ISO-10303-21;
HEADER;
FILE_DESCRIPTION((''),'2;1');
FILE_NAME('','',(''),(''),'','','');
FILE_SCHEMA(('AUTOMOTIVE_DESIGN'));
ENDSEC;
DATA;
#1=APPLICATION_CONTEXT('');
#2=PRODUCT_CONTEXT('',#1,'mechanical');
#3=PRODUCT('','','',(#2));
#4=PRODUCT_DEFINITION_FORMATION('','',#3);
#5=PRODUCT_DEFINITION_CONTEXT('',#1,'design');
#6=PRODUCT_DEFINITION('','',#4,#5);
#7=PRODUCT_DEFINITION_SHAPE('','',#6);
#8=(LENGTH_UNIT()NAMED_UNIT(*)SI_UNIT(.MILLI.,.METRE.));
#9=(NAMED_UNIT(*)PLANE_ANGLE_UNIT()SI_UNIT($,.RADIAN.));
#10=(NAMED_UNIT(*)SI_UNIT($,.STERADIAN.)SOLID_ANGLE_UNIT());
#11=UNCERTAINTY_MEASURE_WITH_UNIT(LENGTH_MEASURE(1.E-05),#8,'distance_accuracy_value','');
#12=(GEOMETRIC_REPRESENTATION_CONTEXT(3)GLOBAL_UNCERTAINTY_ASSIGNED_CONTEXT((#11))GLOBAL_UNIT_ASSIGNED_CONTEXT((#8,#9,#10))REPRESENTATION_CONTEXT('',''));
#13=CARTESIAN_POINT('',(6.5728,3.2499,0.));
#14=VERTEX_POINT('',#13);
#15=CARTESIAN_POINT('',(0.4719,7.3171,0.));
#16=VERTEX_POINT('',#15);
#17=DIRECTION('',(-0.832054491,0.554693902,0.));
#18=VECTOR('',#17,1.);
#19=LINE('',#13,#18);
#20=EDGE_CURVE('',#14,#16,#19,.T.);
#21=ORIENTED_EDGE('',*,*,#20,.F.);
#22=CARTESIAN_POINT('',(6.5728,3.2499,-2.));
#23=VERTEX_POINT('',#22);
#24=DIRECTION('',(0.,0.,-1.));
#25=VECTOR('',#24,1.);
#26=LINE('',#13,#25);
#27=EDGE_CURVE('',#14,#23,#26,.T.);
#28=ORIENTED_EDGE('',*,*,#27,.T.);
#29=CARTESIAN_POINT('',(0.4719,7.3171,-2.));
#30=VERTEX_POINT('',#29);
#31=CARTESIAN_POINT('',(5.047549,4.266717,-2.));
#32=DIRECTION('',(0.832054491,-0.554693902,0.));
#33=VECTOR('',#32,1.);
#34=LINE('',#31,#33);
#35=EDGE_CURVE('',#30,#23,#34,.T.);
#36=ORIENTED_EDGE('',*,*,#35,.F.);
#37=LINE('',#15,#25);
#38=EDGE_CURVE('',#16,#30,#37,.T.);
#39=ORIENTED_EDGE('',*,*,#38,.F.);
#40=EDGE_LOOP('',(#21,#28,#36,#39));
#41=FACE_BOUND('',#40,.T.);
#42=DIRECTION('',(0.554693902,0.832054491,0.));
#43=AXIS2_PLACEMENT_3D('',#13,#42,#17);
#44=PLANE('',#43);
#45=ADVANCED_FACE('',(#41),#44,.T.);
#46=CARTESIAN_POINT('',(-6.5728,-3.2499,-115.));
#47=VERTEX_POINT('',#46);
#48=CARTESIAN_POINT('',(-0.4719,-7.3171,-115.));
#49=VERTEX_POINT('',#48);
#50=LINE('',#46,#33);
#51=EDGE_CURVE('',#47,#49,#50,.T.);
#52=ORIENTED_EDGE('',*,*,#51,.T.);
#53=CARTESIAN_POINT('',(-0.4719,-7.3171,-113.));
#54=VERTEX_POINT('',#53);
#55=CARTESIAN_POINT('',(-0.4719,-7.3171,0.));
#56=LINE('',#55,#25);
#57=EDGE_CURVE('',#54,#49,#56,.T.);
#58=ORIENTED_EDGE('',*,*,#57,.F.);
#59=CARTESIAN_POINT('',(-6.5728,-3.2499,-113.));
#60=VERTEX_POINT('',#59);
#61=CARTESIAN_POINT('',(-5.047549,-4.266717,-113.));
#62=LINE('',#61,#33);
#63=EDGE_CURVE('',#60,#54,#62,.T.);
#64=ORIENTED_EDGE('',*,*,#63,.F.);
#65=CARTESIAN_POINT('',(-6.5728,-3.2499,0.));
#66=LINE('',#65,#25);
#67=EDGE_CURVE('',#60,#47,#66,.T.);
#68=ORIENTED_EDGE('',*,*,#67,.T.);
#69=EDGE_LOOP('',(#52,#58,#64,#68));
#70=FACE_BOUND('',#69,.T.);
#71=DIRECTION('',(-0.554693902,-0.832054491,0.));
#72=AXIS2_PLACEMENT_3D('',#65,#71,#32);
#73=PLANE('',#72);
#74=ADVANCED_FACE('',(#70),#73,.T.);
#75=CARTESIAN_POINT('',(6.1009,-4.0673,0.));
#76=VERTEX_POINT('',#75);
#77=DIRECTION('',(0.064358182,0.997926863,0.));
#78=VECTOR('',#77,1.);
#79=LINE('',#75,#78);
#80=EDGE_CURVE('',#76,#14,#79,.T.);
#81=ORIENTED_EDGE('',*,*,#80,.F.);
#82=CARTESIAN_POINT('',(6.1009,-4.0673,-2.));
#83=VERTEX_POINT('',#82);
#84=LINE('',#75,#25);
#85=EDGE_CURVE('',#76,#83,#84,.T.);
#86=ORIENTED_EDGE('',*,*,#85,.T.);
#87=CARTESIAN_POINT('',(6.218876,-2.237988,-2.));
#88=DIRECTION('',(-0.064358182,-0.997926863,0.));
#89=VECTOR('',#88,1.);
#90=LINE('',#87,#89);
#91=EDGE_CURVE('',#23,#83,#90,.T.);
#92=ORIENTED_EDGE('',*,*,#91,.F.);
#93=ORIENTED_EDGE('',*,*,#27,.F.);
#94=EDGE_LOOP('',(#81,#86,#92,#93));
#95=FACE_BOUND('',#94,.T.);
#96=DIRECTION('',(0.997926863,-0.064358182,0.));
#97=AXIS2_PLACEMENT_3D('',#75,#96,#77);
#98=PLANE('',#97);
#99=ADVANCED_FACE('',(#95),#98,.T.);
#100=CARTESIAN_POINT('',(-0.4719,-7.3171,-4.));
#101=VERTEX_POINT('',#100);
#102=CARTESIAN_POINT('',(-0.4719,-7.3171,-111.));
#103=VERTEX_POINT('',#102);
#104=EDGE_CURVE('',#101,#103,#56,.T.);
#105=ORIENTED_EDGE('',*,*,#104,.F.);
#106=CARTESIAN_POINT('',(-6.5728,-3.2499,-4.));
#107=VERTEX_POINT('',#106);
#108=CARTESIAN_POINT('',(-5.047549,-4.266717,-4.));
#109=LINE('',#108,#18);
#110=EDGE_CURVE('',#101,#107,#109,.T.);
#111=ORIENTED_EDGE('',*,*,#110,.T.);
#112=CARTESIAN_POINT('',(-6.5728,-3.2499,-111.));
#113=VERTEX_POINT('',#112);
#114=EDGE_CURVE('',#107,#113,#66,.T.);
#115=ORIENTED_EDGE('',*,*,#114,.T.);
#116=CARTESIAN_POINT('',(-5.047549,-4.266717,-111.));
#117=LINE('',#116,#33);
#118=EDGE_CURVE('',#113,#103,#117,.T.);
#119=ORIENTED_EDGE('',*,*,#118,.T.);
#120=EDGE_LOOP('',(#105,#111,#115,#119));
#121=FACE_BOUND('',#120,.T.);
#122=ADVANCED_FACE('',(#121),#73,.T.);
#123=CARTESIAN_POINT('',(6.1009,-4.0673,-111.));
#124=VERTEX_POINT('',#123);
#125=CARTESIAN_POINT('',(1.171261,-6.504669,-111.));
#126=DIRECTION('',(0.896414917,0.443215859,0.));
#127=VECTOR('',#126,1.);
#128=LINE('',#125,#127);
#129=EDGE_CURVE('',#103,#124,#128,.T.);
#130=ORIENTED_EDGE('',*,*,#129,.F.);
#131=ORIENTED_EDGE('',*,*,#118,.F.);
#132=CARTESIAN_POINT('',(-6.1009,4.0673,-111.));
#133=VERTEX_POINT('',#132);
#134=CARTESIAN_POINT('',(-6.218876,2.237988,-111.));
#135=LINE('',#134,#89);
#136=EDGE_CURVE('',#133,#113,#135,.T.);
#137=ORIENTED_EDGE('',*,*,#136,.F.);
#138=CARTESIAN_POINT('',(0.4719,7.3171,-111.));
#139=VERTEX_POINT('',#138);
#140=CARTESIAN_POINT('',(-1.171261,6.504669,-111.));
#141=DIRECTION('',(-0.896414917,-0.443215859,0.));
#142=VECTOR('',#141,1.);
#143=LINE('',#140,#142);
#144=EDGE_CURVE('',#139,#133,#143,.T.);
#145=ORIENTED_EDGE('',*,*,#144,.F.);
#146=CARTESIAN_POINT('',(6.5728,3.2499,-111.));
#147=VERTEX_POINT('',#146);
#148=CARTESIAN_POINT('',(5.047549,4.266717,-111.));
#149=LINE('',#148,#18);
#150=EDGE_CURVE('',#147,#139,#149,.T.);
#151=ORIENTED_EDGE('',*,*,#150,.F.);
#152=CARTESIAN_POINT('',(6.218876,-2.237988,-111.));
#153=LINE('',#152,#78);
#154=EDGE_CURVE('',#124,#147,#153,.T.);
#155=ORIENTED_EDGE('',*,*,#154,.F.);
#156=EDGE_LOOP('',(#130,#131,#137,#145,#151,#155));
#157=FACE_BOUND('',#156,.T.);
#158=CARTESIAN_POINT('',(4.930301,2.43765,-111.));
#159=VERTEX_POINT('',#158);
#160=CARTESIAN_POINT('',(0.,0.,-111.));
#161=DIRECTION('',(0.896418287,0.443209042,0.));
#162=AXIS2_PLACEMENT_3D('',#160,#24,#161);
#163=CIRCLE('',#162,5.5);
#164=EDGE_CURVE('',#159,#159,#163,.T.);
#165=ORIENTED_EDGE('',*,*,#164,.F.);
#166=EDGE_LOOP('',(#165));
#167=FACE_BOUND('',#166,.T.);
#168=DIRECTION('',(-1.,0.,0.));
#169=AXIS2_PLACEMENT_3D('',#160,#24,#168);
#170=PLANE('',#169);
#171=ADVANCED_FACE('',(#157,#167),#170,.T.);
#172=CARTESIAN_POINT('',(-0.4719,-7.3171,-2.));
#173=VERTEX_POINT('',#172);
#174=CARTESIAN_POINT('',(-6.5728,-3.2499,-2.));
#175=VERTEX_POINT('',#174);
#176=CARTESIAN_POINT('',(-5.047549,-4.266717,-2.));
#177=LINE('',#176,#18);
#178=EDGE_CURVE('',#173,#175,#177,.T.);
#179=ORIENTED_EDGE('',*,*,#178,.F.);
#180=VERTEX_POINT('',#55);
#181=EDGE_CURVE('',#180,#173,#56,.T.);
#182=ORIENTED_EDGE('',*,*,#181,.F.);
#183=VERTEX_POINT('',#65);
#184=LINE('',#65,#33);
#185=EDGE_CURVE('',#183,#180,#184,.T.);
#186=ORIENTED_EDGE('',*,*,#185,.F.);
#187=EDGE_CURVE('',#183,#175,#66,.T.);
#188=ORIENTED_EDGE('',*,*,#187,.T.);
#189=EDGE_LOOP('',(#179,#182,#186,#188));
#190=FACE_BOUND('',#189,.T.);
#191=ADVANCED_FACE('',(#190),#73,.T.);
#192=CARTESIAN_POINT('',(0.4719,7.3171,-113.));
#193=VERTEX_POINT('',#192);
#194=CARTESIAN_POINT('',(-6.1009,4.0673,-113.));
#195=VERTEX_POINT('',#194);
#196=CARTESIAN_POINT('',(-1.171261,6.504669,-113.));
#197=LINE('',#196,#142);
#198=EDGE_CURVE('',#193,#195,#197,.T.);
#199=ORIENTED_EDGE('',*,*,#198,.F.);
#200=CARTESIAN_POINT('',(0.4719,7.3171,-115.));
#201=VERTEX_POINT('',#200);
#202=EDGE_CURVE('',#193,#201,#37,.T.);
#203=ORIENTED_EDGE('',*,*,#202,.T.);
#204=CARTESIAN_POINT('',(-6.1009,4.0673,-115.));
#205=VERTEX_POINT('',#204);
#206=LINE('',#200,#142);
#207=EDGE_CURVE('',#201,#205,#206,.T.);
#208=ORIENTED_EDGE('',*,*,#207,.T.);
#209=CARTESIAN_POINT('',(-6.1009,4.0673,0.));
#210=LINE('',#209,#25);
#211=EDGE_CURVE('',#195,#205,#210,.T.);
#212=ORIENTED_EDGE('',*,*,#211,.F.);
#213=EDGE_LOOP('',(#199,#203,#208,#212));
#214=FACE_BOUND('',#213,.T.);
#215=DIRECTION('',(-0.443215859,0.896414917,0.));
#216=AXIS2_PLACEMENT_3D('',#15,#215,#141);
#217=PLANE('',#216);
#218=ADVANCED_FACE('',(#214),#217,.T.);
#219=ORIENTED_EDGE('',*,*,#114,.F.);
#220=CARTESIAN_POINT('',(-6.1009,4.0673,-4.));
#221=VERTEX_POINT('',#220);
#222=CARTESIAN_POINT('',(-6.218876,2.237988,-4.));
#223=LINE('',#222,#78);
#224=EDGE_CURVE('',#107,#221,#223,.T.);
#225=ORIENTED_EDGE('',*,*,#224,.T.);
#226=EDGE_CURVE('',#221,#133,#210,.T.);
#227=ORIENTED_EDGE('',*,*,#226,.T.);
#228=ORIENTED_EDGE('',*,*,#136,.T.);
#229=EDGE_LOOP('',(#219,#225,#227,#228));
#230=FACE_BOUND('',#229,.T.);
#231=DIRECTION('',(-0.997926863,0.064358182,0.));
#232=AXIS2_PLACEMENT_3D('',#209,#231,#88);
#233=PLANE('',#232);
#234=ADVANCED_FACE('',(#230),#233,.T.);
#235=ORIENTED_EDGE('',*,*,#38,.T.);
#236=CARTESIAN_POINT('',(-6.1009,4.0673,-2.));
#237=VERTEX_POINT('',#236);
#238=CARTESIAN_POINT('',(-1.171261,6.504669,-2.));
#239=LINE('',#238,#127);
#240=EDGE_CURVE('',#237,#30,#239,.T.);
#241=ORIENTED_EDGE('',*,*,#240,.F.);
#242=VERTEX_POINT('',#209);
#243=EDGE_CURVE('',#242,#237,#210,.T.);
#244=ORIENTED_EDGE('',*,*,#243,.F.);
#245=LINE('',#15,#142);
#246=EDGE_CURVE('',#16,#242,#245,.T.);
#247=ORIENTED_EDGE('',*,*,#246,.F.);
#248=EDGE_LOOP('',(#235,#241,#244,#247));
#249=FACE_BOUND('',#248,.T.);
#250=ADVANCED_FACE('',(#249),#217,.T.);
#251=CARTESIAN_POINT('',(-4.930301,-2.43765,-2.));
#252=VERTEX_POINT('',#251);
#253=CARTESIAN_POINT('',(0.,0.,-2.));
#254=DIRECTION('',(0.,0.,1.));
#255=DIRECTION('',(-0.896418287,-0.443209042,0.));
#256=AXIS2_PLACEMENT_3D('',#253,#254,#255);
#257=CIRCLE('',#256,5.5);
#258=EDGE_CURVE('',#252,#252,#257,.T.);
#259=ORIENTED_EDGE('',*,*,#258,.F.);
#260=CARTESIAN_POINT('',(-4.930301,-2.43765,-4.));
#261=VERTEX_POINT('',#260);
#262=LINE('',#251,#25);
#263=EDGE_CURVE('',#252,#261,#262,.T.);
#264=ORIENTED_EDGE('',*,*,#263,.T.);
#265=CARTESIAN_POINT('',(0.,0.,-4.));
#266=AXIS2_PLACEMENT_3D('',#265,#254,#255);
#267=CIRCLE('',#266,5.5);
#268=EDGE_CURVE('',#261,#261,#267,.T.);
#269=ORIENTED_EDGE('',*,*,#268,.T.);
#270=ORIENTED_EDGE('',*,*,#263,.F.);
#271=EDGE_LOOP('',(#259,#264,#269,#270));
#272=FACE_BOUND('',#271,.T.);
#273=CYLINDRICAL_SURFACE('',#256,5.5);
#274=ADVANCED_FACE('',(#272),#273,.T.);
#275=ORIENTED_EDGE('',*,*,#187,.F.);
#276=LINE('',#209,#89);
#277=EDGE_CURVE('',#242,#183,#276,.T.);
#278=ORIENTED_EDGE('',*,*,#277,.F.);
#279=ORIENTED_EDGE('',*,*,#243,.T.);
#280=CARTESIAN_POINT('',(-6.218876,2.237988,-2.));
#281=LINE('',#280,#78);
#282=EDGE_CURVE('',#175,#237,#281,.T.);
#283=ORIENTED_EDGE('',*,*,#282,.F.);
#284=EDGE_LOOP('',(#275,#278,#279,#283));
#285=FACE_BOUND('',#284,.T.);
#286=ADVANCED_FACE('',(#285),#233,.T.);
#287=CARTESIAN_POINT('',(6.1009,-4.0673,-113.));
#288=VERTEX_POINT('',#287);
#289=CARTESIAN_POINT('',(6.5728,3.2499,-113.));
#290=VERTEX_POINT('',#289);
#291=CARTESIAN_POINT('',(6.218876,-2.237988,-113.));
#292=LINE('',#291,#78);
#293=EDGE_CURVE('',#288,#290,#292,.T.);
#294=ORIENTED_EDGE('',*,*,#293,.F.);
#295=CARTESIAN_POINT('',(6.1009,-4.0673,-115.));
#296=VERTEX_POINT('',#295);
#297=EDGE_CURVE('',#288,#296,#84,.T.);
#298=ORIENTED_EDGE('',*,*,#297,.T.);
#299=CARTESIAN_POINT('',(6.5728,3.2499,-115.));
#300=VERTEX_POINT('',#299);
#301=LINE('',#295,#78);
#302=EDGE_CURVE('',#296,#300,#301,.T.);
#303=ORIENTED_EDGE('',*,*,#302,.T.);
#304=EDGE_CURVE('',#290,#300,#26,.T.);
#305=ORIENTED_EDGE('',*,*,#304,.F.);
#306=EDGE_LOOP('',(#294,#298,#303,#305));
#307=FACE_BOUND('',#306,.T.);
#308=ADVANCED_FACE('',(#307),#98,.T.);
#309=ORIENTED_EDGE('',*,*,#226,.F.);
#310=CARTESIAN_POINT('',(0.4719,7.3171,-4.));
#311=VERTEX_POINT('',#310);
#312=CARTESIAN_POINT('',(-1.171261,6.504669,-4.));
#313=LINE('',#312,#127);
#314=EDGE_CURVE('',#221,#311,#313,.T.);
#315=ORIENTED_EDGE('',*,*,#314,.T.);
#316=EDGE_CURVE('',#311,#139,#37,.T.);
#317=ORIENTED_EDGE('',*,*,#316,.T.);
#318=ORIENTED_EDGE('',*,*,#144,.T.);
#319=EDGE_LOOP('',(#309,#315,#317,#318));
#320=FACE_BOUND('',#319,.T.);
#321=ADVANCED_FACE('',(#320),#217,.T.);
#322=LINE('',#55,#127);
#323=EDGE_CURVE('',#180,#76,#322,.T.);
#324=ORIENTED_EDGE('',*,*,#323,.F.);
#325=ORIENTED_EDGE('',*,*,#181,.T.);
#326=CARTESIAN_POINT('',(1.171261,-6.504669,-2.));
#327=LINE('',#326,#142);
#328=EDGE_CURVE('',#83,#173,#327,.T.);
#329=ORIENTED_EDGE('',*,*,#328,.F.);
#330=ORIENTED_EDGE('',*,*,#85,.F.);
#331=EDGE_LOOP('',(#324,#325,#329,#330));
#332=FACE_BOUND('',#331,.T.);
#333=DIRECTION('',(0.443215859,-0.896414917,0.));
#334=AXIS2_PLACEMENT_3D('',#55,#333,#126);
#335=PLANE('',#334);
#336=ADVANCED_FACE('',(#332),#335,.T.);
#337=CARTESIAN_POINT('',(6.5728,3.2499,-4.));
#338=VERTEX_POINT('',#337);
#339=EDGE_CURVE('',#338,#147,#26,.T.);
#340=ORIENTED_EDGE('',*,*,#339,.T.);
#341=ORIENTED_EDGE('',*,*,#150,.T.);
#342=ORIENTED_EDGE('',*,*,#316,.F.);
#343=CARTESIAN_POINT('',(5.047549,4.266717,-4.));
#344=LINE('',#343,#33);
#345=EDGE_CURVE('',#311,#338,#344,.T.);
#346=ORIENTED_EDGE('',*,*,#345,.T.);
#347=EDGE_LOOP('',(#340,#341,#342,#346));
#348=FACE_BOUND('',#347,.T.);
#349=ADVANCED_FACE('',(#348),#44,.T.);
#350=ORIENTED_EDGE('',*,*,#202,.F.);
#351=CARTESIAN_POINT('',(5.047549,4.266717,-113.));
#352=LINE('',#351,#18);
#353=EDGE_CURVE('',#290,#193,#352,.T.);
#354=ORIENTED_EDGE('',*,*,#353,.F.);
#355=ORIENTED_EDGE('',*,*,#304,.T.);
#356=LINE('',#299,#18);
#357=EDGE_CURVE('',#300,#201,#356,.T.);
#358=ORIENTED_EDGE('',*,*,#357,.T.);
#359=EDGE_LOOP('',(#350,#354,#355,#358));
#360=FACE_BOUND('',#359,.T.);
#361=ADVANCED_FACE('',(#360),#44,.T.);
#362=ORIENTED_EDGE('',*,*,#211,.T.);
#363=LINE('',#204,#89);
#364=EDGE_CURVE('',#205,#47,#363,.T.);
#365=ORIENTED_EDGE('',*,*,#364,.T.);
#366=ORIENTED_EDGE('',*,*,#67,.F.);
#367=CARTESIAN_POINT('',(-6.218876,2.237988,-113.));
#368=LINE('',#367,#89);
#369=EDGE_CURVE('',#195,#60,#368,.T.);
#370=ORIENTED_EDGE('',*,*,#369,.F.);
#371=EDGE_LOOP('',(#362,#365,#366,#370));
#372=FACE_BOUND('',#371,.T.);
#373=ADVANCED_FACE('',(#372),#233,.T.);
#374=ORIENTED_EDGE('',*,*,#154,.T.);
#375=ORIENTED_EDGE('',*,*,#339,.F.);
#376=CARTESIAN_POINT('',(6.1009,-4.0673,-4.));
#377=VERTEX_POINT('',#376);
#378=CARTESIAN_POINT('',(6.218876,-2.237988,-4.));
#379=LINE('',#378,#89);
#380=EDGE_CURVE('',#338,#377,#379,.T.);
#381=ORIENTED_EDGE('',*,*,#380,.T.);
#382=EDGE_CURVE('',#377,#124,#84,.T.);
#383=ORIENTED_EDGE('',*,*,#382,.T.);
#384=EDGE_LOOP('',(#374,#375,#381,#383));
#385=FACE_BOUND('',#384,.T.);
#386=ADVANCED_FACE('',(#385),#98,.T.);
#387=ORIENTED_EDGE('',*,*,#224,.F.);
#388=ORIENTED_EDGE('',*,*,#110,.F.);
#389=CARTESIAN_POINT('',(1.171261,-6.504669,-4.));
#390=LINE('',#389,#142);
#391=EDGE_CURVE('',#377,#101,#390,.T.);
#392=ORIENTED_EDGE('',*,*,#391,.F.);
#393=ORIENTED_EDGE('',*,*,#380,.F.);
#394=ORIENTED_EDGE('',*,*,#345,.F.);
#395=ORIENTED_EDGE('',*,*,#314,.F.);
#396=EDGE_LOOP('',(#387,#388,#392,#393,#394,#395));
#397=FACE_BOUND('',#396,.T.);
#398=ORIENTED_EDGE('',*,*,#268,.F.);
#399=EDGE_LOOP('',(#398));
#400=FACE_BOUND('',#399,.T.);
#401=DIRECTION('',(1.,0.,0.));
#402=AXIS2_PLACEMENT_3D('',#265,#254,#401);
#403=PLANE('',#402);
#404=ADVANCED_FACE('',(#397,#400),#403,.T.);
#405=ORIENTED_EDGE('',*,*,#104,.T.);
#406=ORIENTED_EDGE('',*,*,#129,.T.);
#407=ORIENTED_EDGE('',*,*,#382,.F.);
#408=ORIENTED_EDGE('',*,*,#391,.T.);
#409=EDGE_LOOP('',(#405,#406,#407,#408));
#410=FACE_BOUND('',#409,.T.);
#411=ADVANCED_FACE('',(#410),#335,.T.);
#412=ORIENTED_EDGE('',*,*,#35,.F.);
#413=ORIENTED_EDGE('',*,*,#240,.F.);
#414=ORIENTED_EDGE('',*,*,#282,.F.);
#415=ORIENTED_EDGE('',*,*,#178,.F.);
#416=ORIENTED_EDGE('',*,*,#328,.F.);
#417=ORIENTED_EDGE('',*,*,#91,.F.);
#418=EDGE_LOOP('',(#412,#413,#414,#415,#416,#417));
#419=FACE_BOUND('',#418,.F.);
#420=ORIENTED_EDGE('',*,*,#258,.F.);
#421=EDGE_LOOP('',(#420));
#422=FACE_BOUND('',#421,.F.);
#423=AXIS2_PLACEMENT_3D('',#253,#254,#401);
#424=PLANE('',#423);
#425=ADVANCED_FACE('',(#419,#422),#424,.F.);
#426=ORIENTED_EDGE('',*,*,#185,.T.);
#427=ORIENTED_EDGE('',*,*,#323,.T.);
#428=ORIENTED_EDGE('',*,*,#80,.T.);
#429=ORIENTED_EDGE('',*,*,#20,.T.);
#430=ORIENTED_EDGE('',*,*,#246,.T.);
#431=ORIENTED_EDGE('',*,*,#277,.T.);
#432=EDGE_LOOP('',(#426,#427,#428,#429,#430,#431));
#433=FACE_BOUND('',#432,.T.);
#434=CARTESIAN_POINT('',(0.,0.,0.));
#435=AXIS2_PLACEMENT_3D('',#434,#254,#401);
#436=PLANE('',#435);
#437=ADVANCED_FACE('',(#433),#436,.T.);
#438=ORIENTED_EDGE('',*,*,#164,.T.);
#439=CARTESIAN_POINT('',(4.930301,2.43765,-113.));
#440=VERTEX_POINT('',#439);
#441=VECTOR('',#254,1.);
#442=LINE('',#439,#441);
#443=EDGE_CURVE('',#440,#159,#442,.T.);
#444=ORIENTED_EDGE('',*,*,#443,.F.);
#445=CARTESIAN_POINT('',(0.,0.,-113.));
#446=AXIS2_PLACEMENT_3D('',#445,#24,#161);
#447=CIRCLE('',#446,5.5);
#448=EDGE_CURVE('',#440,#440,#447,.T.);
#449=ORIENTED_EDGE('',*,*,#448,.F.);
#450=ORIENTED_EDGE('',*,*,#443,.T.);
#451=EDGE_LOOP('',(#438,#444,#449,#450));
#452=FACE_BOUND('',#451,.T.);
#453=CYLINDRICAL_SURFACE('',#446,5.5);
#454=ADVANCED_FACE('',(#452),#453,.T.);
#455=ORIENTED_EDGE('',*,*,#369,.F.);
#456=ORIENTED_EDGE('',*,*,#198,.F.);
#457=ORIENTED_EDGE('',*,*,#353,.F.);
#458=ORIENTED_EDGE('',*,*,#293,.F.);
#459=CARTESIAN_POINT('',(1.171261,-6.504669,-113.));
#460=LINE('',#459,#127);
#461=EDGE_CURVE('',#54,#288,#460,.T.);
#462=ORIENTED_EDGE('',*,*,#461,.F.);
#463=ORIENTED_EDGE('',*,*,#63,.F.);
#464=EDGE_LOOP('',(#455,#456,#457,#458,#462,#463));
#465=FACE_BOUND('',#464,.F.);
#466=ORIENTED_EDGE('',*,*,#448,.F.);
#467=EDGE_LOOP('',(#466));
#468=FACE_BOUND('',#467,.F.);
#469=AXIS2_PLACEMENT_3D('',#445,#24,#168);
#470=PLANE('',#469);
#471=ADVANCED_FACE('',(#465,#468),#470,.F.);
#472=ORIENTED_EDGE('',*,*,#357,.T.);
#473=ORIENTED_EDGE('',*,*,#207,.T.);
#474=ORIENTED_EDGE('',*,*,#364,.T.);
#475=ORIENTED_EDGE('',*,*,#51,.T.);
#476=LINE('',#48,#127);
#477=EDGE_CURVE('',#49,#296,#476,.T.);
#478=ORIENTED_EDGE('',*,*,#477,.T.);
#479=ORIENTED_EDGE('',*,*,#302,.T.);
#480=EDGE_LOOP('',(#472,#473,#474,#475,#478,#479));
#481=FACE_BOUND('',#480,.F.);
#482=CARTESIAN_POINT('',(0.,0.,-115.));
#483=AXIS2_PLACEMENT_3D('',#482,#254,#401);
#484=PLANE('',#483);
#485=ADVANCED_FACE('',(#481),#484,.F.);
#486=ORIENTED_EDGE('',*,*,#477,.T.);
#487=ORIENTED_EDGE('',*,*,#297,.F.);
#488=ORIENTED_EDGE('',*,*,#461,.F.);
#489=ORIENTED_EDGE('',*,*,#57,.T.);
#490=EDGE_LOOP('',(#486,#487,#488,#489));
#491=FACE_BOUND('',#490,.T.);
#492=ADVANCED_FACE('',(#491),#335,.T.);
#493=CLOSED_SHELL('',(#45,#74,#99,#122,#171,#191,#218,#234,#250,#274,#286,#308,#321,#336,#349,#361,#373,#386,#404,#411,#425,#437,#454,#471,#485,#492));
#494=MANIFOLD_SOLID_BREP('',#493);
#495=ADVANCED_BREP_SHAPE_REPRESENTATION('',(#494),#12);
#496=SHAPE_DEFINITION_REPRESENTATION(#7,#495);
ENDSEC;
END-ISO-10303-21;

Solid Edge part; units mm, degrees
sketch "Sketch1" plane through (0, 0, 0) normal (0, 0, 1) x (1, 0, 0)
  line L0 (-6.1009, 4.0673) -> (-6.5728, -3.2499)
  line L1 (-6.5728, -3.2499) -> (-0.4719, -7.3171)
  line L2 (-0.4719, -7.3171) -> (6.1009, -4.0673)
  line L3 (6.1009, -4.0673) -> (6.5728, 3.2499)
  line L4 (6.5728, 3.2499) -> (0.4719, 7.3171)
  line L5 (0.4719, 7.3171) -> (-6.1009, 4.0673)
extrude "Protrusion1" add sketch "Sketch1" against normal blind 115
sketch "Sketch2" plane through (0, 0, -2) normal (0, 0, 1) x (-0.8964, -0.4432, 0)
  circle A0 centre (0, 0) radius 5.5
  circle A1 centre (0, 0) radius 13.1424
extrude "ExtrudedCutout_1" cut sketch "Sketch2" against normal blind 2
sketch "Sketch3" plane through (0, 0, -113) normal (0, 0, -1) x (0.8964, 0.4432, 0)
  circle A0 centre (0, 0) radius 5.5
  circle A1 centre (0, 0) radius 13.1424
extrude "ExtrudedCutout_2" cut sketch "Sketch3" against normal blind 2
properties part number "BumbleB0649"
